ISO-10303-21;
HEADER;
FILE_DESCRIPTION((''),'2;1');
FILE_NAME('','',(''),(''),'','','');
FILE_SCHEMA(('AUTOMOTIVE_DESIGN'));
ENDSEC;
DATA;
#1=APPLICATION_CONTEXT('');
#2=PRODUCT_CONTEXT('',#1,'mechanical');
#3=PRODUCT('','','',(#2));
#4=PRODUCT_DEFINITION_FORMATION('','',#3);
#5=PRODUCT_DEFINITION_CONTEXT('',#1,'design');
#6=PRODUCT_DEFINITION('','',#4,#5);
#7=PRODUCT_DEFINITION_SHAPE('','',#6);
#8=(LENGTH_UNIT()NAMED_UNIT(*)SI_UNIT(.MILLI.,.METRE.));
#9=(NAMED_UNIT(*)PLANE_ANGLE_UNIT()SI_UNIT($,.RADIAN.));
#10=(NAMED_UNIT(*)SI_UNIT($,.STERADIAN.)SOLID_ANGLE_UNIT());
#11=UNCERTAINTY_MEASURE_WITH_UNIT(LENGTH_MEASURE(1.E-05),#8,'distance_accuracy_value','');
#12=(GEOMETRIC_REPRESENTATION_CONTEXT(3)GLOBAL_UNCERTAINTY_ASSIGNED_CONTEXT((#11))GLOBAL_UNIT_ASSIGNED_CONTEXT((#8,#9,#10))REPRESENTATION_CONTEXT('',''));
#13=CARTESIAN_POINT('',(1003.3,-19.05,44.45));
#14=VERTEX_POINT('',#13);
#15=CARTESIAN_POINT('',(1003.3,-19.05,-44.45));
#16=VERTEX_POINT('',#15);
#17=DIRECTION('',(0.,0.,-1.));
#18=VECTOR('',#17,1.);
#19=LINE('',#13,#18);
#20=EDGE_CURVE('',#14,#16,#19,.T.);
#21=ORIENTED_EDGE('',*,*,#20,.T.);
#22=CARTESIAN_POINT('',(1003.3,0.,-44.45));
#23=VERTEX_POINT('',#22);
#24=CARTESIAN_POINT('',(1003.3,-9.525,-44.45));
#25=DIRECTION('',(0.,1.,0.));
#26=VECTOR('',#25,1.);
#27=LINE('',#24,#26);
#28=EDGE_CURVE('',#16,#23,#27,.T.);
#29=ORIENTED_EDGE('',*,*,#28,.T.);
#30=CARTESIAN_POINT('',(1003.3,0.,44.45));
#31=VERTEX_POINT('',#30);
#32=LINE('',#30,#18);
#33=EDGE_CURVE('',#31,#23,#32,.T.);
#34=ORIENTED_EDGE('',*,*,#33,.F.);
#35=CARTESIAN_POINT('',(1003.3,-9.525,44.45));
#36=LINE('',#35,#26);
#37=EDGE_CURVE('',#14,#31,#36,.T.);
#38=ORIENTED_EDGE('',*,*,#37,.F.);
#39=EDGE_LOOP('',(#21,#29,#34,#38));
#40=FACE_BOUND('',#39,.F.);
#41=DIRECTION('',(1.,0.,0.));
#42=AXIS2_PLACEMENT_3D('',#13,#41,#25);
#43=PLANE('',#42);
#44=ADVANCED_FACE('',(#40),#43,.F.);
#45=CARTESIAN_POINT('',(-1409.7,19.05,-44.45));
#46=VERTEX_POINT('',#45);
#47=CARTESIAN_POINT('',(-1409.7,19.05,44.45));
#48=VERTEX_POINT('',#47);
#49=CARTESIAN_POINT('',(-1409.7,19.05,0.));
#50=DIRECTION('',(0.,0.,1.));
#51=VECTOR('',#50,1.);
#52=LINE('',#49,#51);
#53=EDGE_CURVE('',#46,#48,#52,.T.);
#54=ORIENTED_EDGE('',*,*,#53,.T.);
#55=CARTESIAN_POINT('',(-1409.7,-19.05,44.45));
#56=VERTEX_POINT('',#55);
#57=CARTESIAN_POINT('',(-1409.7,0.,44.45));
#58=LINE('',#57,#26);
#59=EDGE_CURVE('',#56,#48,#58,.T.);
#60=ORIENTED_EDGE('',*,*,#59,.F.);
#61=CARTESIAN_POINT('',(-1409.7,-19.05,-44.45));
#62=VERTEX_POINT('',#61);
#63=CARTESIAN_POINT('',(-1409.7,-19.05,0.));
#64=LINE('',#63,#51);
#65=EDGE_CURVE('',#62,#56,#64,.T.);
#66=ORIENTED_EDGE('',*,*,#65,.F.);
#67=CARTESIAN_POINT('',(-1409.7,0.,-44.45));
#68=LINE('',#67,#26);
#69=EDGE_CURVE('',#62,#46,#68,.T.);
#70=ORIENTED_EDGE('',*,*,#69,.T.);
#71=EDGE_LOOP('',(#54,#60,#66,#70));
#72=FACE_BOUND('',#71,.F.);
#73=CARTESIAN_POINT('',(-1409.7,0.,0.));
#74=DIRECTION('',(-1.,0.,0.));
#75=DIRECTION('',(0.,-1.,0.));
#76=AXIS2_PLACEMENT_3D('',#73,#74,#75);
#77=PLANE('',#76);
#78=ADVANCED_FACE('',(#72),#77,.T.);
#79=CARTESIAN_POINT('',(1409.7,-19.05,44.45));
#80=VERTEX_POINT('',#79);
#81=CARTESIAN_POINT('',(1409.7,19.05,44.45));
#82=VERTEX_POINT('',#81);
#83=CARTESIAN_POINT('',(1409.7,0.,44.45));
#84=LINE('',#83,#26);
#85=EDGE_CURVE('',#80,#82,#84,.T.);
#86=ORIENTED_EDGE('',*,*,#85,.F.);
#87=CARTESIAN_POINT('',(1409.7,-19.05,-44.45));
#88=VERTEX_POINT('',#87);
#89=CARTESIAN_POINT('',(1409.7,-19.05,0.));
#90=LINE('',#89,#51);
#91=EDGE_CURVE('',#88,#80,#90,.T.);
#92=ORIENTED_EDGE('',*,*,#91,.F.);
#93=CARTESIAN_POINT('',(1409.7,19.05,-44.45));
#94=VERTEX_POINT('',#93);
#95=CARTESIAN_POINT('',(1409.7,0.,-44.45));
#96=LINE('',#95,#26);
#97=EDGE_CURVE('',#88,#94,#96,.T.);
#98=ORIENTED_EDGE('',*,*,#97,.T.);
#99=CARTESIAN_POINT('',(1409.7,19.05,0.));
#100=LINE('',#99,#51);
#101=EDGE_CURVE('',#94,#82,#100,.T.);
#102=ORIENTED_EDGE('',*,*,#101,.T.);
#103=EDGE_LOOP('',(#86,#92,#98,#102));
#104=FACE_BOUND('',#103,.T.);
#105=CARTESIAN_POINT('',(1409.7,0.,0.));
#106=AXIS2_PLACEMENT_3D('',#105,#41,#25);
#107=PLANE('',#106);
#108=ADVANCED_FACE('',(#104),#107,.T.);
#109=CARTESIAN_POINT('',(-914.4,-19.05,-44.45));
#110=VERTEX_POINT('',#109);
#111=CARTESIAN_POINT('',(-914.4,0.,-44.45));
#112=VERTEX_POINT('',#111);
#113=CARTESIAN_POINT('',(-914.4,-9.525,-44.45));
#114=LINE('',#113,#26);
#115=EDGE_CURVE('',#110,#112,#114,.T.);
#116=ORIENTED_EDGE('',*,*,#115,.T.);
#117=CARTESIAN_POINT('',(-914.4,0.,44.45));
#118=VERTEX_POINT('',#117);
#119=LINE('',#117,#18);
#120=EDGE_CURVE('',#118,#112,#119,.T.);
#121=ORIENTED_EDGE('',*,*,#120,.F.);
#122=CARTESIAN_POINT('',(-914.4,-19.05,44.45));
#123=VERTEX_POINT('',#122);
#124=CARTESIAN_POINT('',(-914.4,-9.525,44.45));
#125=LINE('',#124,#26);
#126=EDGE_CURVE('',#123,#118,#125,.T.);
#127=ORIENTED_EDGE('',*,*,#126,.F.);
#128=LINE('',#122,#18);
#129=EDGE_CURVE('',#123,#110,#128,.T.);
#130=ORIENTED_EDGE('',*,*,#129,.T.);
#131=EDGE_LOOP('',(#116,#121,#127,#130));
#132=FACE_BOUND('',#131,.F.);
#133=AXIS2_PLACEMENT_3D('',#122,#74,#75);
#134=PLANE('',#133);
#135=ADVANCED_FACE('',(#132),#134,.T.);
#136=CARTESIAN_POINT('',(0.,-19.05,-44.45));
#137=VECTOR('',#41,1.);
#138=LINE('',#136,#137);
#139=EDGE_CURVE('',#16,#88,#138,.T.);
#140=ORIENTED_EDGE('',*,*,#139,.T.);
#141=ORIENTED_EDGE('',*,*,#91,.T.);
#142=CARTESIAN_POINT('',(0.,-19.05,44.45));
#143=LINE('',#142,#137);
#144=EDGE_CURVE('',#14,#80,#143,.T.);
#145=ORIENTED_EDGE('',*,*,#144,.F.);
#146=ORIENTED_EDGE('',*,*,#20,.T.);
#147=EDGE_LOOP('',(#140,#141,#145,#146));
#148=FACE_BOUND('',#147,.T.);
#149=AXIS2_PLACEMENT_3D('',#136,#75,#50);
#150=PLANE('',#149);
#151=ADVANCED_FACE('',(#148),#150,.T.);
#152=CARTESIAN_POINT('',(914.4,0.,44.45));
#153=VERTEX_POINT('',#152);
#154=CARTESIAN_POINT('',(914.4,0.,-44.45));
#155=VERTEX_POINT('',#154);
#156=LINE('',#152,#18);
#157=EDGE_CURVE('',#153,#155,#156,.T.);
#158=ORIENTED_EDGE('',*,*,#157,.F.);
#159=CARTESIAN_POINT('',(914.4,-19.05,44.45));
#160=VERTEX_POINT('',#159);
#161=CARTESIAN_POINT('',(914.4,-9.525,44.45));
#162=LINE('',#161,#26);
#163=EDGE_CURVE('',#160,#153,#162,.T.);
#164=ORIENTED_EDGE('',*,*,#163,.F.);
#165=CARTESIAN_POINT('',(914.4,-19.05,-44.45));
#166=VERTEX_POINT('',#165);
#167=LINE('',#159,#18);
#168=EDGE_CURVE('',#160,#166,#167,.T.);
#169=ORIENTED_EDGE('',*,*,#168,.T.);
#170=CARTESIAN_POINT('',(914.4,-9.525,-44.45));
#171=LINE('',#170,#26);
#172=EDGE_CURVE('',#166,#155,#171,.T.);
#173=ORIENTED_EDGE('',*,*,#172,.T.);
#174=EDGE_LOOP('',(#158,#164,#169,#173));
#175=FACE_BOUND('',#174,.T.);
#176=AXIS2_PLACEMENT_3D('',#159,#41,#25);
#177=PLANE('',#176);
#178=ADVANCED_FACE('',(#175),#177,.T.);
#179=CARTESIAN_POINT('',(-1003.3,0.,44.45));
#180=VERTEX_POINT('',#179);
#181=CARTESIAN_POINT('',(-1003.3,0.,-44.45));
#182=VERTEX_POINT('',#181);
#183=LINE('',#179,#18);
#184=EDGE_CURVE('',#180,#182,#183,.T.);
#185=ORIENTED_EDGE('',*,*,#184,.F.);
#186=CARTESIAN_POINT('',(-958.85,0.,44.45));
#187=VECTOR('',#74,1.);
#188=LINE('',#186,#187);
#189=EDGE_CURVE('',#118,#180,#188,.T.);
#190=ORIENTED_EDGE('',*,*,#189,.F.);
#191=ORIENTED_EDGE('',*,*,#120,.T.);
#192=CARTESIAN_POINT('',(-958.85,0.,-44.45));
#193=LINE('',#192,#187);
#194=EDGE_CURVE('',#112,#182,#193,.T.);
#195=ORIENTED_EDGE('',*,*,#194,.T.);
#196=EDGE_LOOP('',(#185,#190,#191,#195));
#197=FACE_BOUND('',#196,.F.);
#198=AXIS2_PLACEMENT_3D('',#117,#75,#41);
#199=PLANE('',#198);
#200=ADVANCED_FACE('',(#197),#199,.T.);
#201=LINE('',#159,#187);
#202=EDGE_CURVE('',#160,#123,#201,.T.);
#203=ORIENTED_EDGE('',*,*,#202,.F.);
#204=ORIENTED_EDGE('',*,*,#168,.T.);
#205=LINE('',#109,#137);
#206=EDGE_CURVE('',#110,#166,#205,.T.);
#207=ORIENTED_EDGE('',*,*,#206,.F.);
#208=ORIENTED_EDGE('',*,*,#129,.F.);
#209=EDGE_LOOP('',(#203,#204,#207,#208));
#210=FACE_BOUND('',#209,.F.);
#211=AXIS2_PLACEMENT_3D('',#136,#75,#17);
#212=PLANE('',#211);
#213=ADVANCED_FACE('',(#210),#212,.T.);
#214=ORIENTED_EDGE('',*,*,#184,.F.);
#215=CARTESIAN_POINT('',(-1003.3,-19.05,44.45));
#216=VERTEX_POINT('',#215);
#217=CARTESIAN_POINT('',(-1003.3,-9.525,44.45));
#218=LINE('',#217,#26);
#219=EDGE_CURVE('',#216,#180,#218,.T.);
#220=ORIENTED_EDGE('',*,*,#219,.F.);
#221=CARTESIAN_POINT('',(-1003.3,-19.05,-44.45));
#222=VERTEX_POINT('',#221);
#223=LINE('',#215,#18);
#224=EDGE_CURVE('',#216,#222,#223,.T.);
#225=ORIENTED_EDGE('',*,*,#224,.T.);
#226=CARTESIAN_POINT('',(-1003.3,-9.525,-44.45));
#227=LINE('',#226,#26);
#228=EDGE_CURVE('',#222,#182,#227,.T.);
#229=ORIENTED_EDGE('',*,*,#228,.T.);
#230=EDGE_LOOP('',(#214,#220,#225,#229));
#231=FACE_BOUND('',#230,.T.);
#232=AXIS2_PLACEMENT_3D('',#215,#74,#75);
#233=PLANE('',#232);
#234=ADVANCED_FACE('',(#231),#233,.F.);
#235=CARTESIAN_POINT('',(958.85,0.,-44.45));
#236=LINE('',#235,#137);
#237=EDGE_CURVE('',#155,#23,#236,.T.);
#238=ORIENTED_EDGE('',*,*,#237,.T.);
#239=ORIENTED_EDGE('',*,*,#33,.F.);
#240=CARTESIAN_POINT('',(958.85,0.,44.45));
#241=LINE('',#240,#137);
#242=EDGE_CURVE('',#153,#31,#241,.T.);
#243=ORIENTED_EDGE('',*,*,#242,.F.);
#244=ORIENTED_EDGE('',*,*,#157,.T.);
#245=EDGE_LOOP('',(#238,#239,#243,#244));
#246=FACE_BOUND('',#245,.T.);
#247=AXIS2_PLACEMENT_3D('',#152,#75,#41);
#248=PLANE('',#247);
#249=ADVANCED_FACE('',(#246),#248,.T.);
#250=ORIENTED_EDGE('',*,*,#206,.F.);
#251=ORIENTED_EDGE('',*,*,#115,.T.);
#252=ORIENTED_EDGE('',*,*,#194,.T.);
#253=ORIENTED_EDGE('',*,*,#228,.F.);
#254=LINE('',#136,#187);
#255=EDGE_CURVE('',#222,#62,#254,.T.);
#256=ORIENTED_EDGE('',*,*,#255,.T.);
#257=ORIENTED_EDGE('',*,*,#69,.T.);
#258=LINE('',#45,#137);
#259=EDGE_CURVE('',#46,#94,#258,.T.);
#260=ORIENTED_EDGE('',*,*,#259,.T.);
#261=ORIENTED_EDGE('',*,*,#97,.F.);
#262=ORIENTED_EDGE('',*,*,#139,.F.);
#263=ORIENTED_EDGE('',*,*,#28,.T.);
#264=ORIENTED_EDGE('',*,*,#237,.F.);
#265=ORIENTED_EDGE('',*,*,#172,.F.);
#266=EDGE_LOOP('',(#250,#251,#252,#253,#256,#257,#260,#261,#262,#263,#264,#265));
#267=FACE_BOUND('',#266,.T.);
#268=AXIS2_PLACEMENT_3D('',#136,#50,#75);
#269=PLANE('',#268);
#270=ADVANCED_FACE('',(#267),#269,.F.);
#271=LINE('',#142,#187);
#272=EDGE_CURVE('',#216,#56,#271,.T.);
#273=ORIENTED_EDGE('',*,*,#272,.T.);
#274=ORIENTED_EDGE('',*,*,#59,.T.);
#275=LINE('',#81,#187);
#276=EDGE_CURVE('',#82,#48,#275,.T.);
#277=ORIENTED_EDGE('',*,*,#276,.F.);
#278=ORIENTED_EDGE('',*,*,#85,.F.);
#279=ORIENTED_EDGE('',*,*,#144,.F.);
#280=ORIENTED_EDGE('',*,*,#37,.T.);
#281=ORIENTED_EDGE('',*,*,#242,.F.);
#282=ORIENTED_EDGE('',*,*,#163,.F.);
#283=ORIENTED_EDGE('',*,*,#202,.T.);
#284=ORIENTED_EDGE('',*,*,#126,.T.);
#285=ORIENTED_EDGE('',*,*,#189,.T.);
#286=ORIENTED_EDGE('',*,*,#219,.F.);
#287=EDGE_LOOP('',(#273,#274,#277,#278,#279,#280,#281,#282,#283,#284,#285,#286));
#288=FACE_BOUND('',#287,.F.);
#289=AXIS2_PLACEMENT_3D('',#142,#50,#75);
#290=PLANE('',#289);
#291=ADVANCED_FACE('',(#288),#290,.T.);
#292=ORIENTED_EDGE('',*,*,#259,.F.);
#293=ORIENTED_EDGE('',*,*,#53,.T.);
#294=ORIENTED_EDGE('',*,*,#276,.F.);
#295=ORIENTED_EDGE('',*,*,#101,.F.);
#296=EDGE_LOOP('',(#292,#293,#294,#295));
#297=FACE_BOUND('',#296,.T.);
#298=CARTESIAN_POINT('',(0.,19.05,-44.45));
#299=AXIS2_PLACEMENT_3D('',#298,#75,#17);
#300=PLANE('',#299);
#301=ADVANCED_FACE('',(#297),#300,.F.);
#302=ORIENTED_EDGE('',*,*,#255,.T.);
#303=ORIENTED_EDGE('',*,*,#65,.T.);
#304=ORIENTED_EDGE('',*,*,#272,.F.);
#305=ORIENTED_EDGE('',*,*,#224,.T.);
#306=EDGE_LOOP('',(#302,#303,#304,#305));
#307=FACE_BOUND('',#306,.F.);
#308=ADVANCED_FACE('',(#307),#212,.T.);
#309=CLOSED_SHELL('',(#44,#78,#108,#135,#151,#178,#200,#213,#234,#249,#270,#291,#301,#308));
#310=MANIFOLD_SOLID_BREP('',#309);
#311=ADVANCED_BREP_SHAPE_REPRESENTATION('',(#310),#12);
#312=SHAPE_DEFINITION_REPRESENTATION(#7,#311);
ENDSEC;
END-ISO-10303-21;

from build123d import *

# Parameters (mm, degrees)
F0_W     = 38.1
F0_H     = 88.9
F1_DEPTH = 1409.7
F2_W     = 88.9
F2_H     = 19.05
F3_DEPTH = 88.9


with BuildPart() as f1:
    # F0 (on Right) → F1 (new body)
    with BuildSketch(Plane.YZ):
        Rectangle(F0_W, F0_H)
    extrude(amount=F1_DEPTH)

    # F2 (on face) → F3 (cut, through all)
    with BuildSketch(Plane.XY.offset(44.45)):
        with Locations((958.85, -9.525)):
            Rectangle(F2_W, F2_H)
    extrude(amount=-F3_DEPTH, mode=Mode.SUBTRACT)

    # F4: F1 across plane


with BuildPart() as f1_1:
    add(f1.part)
    add(f1.part.mirror(Plane.YZ))


solid = f1_1.part
